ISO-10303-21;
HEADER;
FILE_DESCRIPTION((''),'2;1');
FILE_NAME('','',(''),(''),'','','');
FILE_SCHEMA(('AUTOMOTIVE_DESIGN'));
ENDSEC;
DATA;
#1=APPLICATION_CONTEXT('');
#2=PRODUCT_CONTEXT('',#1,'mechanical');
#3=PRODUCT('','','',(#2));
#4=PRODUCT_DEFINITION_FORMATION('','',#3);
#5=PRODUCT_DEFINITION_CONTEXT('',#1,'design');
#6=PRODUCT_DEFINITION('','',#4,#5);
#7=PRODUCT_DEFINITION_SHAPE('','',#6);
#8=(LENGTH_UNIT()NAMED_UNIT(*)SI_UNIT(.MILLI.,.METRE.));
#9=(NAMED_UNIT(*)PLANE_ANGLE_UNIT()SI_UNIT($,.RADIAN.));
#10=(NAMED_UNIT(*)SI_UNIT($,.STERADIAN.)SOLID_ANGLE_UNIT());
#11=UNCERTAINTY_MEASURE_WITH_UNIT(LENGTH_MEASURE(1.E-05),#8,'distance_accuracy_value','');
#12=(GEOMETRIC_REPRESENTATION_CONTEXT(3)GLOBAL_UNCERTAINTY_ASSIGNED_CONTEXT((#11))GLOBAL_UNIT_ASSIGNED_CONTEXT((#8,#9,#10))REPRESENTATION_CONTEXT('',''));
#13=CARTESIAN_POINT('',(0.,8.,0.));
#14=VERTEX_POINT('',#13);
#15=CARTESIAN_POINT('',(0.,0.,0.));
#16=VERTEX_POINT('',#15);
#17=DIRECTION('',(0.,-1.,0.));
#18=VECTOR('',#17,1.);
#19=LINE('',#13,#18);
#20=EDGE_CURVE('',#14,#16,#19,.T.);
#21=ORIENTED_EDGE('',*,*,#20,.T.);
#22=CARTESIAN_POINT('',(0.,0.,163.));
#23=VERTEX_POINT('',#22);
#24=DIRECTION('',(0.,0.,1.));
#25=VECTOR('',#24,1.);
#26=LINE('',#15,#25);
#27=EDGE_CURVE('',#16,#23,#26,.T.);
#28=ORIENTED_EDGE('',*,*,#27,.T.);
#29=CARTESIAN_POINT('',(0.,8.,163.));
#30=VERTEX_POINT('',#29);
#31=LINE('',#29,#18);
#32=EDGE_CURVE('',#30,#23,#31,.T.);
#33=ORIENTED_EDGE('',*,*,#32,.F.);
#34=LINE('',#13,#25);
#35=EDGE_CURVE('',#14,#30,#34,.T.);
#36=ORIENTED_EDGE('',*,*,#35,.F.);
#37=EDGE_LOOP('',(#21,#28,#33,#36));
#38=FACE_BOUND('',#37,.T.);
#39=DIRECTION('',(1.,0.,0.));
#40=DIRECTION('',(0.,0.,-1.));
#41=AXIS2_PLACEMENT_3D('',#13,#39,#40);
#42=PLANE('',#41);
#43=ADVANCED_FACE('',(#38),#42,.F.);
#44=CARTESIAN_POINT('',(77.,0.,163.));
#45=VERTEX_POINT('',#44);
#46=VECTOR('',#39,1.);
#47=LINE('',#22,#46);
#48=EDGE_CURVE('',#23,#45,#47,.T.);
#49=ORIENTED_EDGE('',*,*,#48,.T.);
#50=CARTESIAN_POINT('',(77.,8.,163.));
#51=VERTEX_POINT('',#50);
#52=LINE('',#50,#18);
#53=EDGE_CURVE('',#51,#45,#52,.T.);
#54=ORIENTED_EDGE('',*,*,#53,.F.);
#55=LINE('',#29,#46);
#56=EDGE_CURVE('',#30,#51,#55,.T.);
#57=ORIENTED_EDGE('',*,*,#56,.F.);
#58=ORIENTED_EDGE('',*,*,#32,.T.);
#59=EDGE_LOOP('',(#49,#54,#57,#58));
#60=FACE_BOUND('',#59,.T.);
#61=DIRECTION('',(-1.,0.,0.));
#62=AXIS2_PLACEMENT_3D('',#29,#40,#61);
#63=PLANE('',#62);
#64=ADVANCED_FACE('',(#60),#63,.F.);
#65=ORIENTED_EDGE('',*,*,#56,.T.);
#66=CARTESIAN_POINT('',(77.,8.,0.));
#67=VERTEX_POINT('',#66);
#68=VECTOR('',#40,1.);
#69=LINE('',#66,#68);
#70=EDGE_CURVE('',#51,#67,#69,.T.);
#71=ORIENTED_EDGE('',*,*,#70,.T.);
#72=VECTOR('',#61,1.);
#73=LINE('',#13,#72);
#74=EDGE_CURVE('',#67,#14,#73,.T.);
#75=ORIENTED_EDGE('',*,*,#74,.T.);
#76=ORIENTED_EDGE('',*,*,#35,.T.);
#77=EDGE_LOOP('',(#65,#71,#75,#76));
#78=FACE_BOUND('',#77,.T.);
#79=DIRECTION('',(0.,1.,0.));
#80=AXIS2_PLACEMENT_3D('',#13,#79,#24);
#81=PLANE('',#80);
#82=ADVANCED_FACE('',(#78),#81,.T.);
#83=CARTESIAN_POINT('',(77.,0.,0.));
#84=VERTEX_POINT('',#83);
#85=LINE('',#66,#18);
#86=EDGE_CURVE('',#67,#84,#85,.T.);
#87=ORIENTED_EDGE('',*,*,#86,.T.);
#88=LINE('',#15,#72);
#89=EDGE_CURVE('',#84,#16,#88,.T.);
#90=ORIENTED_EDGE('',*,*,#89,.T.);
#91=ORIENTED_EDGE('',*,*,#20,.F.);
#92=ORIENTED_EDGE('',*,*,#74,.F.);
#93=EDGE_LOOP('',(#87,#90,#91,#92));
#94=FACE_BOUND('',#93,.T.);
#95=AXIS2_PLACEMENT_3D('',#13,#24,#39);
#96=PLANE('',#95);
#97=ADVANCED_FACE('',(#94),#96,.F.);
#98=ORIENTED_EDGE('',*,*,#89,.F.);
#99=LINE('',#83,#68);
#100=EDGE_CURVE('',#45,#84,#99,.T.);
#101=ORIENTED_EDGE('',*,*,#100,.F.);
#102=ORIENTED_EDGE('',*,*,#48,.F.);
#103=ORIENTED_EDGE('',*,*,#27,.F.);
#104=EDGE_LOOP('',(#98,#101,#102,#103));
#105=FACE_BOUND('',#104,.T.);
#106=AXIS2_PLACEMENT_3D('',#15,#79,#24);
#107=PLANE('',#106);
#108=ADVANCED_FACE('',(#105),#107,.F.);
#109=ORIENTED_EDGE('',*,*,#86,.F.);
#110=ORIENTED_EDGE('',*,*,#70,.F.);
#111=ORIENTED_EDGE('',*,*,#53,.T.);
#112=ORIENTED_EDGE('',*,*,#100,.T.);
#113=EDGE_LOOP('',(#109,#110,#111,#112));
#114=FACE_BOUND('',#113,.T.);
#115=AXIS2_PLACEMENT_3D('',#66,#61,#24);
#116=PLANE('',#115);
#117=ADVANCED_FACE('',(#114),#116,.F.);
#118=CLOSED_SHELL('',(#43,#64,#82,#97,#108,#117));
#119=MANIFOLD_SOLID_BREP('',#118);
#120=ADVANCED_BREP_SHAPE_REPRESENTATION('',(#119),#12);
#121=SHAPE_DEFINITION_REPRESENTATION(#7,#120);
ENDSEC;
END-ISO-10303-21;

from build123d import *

# Parameters (mm, degrees)
SKETCH_1_W      = 77
SKETCH_1_H      = 163
EXTRUDE_1_DEPTH = 8


with BuildPart() as part:
    # 草图1 → 凸台-拉伸1 (new body)
    with BuildSketch(Plane(origin=(0, 0, 0), x_dir=(1, 0, 0), z_dir=(0, 1, 0))):
        with Locations((38.5, -81.5)):
            Rectangle(SKETCH_1_W, SKETCH_1_H)
    extrude(amount=EXTRUDE_1_DEPTH)


solid = part.part
